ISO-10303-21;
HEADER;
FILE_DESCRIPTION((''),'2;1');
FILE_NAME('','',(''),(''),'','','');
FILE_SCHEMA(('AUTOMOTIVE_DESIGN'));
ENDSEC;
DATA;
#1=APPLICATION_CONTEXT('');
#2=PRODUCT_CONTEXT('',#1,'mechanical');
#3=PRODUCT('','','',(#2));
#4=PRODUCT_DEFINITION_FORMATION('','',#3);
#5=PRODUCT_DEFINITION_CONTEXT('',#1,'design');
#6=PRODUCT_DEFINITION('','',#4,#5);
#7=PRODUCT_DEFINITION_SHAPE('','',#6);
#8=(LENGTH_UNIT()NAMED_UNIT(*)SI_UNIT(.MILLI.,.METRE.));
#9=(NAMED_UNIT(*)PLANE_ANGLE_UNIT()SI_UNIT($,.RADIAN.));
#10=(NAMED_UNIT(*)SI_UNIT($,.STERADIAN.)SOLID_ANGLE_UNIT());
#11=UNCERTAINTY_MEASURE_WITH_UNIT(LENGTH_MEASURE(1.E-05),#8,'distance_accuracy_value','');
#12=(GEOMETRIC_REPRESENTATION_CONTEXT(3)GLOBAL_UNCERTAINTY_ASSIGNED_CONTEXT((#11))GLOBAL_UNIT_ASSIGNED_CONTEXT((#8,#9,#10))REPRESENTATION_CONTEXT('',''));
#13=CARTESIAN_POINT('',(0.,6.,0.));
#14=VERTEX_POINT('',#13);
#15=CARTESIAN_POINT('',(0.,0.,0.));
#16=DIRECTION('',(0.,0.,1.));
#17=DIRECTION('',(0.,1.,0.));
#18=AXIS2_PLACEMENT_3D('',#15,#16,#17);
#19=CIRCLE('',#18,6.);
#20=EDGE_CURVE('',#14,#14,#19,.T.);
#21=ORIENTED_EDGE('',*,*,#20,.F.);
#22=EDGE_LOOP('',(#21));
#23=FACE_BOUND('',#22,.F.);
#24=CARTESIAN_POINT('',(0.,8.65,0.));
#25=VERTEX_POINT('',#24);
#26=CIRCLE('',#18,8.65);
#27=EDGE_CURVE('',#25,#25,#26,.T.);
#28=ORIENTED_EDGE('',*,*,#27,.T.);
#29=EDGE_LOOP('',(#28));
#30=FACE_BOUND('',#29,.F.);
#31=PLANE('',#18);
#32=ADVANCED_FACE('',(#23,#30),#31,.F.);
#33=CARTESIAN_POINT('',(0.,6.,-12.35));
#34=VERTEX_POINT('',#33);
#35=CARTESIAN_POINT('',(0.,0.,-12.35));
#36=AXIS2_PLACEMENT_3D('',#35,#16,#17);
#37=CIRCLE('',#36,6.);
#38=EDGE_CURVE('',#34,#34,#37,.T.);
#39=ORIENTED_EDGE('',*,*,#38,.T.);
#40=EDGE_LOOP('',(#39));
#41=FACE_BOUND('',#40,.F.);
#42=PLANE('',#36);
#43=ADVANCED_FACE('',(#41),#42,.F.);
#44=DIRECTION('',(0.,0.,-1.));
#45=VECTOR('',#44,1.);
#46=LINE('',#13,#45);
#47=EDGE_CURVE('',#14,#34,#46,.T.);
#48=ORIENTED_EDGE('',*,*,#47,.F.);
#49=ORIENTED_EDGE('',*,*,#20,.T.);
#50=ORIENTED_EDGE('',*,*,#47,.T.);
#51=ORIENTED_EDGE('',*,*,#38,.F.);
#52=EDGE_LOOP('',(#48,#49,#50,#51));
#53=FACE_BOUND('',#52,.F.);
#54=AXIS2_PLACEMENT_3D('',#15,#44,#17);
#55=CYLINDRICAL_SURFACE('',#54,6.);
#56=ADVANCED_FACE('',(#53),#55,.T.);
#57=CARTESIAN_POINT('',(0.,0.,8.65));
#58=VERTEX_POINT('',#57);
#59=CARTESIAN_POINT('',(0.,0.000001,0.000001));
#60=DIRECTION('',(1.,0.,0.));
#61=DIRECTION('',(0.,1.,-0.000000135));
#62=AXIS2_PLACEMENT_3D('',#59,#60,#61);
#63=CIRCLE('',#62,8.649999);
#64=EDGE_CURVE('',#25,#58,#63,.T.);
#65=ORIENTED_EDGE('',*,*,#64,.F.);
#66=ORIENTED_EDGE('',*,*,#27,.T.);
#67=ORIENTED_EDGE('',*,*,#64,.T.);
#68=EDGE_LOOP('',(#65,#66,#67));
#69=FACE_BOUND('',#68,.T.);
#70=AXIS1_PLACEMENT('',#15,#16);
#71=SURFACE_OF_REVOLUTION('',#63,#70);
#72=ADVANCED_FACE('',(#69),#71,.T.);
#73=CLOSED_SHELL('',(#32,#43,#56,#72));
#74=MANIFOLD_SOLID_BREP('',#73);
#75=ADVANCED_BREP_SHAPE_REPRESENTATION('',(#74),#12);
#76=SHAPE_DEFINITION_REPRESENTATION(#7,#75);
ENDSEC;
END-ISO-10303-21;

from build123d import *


with BuildPart() as part:
    # Sketch → Revolution (revolve)
    with BuildSketch(Plane.YZ):
        with BuildLine():
            Line((8.65, 0), (6, 0))
            Line((6, 0), (6, -12.35))
            Line((6, -12.35), (0, -12.35))
            Line((0, -12.35), (0, 8.65))
            ThreePointArc((8.65, 0), (6.116474, 6.116474), (0, 8.65))
        make_face()
    revolve(axis=Axis((0, 0, 0), (0, 0, 1)))


solid = part.part
